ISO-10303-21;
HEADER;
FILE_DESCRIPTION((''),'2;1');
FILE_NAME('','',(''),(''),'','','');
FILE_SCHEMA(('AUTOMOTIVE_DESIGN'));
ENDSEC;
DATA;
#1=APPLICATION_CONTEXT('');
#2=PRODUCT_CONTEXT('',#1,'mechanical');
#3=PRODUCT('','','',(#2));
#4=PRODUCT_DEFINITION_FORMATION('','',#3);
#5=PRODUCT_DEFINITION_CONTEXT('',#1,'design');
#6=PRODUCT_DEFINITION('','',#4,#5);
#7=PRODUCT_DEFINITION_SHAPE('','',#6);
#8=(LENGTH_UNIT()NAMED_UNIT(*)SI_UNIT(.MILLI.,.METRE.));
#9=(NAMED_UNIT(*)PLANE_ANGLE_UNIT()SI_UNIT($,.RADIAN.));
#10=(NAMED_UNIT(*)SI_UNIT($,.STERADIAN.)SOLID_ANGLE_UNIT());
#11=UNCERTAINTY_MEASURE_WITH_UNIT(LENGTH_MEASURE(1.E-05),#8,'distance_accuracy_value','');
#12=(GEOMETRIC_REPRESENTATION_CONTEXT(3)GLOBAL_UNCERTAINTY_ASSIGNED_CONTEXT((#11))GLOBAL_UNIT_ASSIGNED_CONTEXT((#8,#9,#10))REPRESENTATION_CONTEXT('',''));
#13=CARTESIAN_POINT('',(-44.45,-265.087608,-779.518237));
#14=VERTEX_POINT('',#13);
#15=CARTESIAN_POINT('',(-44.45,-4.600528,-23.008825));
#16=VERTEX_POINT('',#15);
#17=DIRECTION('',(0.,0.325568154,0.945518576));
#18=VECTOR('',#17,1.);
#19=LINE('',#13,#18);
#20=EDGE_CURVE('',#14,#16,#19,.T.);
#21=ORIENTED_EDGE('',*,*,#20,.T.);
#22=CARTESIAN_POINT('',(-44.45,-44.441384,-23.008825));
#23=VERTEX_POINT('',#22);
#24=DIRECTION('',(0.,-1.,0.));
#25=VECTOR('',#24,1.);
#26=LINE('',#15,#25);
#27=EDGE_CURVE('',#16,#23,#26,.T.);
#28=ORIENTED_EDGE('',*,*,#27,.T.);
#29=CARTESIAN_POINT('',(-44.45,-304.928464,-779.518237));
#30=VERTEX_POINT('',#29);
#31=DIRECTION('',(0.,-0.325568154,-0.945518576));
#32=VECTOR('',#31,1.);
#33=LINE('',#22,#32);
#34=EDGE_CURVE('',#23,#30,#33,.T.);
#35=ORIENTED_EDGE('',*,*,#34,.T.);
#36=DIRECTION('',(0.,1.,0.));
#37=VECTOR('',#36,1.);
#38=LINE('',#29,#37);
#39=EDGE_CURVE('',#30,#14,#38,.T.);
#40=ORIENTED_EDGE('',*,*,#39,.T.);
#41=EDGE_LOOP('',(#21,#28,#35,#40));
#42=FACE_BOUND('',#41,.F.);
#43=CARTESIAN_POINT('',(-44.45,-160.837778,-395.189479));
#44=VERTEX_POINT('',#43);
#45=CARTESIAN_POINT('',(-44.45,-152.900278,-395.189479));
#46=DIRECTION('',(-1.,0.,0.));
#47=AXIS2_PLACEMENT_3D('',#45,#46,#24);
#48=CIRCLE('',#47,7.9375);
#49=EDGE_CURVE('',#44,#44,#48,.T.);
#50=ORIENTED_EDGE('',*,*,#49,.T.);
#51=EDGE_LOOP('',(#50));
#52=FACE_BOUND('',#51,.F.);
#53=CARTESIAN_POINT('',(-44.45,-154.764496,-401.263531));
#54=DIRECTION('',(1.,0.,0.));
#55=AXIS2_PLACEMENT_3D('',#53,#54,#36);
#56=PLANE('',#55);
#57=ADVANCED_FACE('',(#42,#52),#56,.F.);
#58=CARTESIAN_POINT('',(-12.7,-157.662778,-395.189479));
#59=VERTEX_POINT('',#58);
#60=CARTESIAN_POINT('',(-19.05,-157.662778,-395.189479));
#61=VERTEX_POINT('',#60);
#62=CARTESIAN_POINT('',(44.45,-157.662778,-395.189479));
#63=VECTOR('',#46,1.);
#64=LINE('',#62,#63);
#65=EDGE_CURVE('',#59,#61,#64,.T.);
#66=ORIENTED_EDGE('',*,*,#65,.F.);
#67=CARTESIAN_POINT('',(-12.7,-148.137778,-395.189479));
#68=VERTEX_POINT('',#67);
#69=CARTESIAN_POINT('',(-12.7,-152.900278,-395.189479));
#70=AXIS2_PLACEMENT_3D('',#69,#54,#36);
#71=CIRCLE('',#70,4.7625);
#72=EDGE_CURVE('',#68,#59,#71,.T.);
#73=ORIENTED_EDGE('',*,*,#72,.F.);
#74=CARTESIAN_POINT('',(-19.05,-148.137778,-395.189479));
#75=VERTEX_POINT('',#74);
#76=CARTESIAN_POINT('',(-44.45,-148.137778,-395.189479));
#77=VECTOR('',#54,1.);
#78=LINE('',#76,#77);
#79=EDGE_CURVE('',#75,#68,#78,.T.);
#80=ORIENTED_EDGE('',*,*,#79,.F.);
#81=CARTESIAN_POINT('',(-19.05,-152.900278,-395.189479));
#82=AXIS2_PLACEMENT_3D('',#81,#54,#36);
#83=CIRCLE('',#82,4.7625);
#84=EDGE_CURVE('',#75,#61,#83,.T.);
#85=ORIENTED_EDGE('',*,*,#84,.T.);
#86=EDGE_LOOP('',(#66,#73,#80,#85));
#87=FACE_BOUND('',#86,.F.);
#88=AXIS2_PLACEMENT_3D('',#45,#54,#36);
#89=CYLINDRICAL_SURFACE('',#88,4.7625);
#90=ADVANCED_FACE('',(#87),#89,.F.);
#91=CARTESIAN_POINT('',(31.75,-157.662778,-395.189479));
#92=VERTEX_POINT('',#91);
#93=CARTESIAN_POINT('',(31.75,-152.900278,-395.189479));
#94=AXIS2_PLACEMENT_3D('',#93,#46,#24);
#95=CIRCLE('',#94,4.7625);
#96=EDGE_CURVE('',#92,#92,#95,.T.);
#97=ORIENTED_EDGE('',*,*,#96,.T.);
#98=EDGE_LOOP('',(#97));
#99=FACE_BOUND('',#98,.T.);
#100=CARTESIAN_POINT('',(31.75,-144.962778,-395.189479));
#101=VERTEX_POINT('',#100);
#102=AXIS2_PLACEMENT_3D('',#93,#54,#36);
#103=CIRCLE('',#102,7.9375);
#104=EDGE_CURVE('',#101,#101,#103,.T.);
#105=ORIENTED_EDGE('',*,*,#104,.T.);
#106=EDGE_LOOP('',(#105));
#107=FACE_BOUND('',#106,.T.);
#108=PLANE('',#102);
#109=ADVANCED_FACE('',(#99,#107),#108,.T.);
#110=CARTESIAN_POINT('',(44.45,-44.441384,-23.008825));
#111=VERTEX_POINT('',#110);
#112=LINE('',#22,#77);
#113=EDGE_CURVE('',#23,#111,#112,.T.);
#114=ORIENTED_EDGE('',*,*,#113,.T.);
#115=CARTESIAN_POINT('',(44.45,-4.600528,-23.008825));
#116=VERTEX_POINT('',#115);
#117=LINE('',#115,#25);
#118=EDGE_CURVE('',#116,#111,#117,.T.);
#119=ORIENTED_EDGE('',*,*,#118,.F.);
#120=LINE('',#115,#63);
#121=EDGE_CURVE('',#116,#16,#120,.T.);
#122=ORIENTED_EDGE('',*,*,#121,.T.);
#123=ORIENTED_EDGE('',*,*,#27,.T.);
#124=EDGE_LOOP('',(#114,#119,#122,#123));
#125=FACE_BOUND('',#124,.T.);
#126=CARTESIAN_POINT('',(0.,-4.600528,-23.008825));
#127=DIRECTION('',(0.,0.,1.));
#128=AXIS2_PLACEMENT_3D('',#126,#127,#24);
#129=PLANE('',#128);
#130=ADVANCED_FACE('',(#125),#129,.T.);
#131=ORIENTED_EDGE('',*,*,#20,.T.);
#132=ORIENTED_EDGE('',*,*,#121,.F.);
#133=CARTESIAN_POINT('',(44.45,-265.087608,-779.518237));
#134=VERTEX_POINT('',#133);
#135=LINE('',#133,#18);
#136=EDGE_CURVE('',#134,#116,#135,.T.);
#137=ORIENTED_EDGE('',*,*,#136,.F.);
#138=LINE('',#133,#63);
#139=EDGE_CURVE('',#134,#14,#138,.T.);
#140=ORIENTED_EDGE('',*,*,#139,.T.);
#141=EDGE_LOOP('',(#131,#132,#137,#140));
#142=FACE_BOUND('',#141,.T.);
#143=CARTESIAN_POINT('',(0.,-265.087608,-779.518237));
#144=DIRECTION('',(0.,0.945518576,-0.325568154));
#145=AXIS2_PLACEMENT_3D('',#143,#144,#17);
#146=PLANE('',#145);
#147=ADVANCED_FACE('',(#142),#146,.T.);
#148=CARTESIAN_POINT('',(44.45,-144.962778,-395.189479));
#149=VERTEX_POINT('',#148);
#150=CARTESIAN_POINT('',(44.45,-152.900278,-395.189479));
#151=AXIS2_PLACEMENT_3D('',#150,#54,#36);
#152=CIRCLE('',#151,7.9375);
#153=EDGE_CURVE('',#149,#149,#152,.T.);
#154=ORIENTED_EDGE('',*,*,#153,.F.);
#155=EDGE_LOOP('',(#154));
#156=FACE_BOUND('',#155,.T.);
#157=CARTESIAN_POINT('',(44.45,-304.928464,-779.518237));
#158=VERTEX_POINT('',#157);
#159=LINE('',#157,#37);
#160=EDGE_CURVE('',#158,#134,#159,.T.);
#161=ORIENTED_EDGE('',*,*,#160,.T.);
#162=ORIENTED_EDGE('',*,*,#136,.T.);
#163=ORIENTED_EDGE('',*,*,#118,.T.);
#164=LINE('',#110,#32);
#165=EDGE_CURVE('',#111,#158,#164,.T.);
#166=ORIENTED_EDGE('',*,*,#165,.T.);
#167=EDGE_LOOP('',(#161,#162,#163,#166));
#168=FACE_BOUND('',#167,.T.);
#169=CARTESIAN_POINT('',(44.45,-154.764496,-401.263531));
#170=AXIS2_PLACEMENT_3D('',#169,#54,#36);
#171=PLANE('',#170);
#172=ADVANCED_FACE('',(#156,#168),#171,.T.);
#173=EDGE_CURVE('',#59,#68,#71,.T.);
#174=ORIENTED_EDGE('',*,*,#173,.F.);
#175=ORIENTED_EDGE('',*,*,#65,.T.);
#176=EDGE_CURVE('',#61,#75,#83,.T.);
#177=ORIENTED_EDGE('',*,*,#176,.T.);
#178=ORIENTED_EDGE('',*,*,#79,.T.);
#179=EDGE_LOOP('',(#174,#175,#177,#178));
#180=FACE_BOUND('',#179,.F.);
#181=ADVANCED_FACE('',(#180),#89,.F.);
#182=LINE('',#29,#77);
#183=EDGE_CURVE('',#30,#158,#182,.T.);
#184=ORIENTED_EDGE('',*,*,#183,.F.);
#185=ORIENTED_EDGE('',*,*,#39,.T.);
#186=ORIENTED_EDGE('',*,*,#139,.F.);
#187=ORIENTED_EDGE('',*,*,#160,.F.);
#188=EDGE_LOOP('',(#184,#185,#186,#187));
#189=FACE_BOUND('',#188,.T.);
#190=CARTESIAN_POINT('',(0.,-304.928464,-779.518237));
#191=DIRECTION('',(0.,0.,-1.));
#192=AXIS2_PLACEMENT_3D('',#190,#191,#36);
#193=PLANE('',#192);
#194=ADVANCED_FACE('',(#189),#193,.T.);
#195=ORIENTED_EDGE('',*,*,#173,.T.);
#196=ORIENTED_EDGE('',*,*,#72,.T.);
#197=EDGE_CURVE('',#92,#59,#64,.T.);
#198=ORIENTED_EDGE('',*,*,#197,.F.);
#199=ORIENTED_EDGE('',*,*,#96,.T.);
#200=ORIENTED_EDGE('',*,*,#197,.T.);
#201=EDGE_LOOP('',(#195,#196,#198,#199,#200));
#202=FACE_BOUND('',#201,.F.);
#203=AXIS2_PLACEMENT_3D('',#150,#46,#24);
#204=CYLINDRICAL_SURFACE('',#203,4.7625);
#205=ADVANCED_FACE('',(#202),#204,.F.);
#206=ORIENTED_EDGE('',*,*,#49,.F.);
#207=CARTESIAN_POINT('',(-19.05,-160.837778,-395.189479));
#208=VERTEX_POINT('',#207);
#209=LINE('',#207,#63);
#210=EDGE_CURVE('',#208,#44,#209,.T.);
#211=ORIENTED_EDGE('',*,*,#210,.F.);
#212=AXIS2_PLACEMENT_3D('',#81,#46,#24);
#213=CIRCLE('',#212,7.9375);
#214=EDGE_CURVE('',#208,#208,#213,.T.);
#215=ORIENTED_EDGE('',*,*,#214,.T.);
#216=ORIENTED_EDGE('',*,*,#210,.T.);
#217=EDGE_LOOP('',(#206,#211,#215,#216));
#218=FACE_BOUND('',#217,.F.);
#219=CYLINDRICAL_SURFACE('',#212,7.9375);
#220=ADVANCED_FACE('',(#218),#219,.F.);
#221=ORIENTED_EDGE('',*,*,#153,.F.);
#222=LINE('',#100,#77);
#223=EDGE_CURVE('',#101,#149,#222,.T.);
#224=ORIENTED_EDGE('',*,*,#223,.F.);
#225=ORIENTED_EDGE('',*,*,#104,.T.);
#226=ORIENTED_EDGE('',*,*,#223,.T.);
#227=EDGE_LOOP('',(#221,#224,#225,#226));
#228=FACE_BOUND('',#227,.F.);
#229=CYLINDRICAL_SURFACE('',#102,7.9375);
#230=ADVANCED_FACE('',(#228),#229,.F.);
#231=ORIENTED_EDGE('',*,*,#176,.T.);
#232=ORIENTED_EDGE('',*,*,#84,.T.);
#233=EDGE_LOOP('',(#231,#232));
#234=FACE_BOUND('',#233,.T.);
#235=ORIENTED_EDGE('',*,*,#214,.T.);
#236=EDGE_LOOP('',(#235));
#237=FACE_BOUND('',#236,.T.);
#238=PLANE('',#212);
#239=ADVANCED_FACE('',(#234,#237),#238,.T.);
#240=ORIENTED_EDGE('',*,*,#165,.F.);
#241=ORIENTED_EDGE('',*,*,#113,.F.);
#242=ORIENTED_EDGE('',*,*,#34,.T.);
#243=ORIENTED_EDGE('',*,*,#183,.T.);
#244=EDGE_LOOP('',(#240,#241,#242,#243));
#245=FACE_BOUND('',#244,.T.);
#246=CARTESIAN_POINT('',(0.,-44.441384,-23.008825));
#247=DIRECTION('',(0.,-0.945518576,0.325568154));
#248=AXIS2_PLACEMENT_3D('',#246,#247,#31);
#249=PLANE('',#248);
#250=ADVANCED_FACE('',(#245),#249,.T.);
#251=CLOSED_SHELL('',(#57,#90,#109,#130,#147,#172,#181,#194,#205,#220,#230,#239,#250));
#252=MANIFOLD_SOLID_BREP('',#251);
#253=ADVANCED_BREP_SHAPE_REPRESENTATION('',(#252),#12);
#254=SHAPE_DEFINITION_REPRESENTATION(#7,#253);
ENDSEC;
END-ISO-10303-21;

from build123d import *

# Parameters (mm, degrees)
F1_DEPTH       = 44.45
F1_DEPTH_BACK  = 44.45
F3_D           = 9.525
F3_DEPTH       = 31.75
F3_CBORE_D     = 15.875
F3_CBORE_DEPTH = 25.4
F5_D           = 9.525
F5_CBORE_D     = 15.875
F5_CBORE_DEPTH = 12.7


with BuildPart() as f1:
    # F0 (on Right) → F1 (new body, two sides)
    with BuildSketch(Plane.YZ) as f1_sk:
        Polygon((-4.600528, -23.008825), (-44.441384, -23.008825), (-304.928464, -779.518237), (-265.087608, -779.518237), align=None)
    extrude(amount=F1_DEPTH)
    extrude(f1_sk.sketch, amount=-F1_DEPTH_BACK)

    # F3
    with Locations(Plane(origin=(-44.45, 0, 0), x_dir=(0, -1, 0), z_dir=(-1, 0, 0))):
        with Locations((152.900278, -395.189479)):
            CounterBoreHole(F3_D / 2, F3_CBORE_D / 2, F3_CBORE_DEPTH, depth=F3_DEPTH)

    # F5 (through all)
    with Locations(Plane.YZ.offset(44.45)):
        with Locations((-152.900278, -395.189479)):
            CounterBoreHole(F5_D / 2, F5_CBORE_D / 2, F5_CBORE_DEPTH)


solid = f1.part
